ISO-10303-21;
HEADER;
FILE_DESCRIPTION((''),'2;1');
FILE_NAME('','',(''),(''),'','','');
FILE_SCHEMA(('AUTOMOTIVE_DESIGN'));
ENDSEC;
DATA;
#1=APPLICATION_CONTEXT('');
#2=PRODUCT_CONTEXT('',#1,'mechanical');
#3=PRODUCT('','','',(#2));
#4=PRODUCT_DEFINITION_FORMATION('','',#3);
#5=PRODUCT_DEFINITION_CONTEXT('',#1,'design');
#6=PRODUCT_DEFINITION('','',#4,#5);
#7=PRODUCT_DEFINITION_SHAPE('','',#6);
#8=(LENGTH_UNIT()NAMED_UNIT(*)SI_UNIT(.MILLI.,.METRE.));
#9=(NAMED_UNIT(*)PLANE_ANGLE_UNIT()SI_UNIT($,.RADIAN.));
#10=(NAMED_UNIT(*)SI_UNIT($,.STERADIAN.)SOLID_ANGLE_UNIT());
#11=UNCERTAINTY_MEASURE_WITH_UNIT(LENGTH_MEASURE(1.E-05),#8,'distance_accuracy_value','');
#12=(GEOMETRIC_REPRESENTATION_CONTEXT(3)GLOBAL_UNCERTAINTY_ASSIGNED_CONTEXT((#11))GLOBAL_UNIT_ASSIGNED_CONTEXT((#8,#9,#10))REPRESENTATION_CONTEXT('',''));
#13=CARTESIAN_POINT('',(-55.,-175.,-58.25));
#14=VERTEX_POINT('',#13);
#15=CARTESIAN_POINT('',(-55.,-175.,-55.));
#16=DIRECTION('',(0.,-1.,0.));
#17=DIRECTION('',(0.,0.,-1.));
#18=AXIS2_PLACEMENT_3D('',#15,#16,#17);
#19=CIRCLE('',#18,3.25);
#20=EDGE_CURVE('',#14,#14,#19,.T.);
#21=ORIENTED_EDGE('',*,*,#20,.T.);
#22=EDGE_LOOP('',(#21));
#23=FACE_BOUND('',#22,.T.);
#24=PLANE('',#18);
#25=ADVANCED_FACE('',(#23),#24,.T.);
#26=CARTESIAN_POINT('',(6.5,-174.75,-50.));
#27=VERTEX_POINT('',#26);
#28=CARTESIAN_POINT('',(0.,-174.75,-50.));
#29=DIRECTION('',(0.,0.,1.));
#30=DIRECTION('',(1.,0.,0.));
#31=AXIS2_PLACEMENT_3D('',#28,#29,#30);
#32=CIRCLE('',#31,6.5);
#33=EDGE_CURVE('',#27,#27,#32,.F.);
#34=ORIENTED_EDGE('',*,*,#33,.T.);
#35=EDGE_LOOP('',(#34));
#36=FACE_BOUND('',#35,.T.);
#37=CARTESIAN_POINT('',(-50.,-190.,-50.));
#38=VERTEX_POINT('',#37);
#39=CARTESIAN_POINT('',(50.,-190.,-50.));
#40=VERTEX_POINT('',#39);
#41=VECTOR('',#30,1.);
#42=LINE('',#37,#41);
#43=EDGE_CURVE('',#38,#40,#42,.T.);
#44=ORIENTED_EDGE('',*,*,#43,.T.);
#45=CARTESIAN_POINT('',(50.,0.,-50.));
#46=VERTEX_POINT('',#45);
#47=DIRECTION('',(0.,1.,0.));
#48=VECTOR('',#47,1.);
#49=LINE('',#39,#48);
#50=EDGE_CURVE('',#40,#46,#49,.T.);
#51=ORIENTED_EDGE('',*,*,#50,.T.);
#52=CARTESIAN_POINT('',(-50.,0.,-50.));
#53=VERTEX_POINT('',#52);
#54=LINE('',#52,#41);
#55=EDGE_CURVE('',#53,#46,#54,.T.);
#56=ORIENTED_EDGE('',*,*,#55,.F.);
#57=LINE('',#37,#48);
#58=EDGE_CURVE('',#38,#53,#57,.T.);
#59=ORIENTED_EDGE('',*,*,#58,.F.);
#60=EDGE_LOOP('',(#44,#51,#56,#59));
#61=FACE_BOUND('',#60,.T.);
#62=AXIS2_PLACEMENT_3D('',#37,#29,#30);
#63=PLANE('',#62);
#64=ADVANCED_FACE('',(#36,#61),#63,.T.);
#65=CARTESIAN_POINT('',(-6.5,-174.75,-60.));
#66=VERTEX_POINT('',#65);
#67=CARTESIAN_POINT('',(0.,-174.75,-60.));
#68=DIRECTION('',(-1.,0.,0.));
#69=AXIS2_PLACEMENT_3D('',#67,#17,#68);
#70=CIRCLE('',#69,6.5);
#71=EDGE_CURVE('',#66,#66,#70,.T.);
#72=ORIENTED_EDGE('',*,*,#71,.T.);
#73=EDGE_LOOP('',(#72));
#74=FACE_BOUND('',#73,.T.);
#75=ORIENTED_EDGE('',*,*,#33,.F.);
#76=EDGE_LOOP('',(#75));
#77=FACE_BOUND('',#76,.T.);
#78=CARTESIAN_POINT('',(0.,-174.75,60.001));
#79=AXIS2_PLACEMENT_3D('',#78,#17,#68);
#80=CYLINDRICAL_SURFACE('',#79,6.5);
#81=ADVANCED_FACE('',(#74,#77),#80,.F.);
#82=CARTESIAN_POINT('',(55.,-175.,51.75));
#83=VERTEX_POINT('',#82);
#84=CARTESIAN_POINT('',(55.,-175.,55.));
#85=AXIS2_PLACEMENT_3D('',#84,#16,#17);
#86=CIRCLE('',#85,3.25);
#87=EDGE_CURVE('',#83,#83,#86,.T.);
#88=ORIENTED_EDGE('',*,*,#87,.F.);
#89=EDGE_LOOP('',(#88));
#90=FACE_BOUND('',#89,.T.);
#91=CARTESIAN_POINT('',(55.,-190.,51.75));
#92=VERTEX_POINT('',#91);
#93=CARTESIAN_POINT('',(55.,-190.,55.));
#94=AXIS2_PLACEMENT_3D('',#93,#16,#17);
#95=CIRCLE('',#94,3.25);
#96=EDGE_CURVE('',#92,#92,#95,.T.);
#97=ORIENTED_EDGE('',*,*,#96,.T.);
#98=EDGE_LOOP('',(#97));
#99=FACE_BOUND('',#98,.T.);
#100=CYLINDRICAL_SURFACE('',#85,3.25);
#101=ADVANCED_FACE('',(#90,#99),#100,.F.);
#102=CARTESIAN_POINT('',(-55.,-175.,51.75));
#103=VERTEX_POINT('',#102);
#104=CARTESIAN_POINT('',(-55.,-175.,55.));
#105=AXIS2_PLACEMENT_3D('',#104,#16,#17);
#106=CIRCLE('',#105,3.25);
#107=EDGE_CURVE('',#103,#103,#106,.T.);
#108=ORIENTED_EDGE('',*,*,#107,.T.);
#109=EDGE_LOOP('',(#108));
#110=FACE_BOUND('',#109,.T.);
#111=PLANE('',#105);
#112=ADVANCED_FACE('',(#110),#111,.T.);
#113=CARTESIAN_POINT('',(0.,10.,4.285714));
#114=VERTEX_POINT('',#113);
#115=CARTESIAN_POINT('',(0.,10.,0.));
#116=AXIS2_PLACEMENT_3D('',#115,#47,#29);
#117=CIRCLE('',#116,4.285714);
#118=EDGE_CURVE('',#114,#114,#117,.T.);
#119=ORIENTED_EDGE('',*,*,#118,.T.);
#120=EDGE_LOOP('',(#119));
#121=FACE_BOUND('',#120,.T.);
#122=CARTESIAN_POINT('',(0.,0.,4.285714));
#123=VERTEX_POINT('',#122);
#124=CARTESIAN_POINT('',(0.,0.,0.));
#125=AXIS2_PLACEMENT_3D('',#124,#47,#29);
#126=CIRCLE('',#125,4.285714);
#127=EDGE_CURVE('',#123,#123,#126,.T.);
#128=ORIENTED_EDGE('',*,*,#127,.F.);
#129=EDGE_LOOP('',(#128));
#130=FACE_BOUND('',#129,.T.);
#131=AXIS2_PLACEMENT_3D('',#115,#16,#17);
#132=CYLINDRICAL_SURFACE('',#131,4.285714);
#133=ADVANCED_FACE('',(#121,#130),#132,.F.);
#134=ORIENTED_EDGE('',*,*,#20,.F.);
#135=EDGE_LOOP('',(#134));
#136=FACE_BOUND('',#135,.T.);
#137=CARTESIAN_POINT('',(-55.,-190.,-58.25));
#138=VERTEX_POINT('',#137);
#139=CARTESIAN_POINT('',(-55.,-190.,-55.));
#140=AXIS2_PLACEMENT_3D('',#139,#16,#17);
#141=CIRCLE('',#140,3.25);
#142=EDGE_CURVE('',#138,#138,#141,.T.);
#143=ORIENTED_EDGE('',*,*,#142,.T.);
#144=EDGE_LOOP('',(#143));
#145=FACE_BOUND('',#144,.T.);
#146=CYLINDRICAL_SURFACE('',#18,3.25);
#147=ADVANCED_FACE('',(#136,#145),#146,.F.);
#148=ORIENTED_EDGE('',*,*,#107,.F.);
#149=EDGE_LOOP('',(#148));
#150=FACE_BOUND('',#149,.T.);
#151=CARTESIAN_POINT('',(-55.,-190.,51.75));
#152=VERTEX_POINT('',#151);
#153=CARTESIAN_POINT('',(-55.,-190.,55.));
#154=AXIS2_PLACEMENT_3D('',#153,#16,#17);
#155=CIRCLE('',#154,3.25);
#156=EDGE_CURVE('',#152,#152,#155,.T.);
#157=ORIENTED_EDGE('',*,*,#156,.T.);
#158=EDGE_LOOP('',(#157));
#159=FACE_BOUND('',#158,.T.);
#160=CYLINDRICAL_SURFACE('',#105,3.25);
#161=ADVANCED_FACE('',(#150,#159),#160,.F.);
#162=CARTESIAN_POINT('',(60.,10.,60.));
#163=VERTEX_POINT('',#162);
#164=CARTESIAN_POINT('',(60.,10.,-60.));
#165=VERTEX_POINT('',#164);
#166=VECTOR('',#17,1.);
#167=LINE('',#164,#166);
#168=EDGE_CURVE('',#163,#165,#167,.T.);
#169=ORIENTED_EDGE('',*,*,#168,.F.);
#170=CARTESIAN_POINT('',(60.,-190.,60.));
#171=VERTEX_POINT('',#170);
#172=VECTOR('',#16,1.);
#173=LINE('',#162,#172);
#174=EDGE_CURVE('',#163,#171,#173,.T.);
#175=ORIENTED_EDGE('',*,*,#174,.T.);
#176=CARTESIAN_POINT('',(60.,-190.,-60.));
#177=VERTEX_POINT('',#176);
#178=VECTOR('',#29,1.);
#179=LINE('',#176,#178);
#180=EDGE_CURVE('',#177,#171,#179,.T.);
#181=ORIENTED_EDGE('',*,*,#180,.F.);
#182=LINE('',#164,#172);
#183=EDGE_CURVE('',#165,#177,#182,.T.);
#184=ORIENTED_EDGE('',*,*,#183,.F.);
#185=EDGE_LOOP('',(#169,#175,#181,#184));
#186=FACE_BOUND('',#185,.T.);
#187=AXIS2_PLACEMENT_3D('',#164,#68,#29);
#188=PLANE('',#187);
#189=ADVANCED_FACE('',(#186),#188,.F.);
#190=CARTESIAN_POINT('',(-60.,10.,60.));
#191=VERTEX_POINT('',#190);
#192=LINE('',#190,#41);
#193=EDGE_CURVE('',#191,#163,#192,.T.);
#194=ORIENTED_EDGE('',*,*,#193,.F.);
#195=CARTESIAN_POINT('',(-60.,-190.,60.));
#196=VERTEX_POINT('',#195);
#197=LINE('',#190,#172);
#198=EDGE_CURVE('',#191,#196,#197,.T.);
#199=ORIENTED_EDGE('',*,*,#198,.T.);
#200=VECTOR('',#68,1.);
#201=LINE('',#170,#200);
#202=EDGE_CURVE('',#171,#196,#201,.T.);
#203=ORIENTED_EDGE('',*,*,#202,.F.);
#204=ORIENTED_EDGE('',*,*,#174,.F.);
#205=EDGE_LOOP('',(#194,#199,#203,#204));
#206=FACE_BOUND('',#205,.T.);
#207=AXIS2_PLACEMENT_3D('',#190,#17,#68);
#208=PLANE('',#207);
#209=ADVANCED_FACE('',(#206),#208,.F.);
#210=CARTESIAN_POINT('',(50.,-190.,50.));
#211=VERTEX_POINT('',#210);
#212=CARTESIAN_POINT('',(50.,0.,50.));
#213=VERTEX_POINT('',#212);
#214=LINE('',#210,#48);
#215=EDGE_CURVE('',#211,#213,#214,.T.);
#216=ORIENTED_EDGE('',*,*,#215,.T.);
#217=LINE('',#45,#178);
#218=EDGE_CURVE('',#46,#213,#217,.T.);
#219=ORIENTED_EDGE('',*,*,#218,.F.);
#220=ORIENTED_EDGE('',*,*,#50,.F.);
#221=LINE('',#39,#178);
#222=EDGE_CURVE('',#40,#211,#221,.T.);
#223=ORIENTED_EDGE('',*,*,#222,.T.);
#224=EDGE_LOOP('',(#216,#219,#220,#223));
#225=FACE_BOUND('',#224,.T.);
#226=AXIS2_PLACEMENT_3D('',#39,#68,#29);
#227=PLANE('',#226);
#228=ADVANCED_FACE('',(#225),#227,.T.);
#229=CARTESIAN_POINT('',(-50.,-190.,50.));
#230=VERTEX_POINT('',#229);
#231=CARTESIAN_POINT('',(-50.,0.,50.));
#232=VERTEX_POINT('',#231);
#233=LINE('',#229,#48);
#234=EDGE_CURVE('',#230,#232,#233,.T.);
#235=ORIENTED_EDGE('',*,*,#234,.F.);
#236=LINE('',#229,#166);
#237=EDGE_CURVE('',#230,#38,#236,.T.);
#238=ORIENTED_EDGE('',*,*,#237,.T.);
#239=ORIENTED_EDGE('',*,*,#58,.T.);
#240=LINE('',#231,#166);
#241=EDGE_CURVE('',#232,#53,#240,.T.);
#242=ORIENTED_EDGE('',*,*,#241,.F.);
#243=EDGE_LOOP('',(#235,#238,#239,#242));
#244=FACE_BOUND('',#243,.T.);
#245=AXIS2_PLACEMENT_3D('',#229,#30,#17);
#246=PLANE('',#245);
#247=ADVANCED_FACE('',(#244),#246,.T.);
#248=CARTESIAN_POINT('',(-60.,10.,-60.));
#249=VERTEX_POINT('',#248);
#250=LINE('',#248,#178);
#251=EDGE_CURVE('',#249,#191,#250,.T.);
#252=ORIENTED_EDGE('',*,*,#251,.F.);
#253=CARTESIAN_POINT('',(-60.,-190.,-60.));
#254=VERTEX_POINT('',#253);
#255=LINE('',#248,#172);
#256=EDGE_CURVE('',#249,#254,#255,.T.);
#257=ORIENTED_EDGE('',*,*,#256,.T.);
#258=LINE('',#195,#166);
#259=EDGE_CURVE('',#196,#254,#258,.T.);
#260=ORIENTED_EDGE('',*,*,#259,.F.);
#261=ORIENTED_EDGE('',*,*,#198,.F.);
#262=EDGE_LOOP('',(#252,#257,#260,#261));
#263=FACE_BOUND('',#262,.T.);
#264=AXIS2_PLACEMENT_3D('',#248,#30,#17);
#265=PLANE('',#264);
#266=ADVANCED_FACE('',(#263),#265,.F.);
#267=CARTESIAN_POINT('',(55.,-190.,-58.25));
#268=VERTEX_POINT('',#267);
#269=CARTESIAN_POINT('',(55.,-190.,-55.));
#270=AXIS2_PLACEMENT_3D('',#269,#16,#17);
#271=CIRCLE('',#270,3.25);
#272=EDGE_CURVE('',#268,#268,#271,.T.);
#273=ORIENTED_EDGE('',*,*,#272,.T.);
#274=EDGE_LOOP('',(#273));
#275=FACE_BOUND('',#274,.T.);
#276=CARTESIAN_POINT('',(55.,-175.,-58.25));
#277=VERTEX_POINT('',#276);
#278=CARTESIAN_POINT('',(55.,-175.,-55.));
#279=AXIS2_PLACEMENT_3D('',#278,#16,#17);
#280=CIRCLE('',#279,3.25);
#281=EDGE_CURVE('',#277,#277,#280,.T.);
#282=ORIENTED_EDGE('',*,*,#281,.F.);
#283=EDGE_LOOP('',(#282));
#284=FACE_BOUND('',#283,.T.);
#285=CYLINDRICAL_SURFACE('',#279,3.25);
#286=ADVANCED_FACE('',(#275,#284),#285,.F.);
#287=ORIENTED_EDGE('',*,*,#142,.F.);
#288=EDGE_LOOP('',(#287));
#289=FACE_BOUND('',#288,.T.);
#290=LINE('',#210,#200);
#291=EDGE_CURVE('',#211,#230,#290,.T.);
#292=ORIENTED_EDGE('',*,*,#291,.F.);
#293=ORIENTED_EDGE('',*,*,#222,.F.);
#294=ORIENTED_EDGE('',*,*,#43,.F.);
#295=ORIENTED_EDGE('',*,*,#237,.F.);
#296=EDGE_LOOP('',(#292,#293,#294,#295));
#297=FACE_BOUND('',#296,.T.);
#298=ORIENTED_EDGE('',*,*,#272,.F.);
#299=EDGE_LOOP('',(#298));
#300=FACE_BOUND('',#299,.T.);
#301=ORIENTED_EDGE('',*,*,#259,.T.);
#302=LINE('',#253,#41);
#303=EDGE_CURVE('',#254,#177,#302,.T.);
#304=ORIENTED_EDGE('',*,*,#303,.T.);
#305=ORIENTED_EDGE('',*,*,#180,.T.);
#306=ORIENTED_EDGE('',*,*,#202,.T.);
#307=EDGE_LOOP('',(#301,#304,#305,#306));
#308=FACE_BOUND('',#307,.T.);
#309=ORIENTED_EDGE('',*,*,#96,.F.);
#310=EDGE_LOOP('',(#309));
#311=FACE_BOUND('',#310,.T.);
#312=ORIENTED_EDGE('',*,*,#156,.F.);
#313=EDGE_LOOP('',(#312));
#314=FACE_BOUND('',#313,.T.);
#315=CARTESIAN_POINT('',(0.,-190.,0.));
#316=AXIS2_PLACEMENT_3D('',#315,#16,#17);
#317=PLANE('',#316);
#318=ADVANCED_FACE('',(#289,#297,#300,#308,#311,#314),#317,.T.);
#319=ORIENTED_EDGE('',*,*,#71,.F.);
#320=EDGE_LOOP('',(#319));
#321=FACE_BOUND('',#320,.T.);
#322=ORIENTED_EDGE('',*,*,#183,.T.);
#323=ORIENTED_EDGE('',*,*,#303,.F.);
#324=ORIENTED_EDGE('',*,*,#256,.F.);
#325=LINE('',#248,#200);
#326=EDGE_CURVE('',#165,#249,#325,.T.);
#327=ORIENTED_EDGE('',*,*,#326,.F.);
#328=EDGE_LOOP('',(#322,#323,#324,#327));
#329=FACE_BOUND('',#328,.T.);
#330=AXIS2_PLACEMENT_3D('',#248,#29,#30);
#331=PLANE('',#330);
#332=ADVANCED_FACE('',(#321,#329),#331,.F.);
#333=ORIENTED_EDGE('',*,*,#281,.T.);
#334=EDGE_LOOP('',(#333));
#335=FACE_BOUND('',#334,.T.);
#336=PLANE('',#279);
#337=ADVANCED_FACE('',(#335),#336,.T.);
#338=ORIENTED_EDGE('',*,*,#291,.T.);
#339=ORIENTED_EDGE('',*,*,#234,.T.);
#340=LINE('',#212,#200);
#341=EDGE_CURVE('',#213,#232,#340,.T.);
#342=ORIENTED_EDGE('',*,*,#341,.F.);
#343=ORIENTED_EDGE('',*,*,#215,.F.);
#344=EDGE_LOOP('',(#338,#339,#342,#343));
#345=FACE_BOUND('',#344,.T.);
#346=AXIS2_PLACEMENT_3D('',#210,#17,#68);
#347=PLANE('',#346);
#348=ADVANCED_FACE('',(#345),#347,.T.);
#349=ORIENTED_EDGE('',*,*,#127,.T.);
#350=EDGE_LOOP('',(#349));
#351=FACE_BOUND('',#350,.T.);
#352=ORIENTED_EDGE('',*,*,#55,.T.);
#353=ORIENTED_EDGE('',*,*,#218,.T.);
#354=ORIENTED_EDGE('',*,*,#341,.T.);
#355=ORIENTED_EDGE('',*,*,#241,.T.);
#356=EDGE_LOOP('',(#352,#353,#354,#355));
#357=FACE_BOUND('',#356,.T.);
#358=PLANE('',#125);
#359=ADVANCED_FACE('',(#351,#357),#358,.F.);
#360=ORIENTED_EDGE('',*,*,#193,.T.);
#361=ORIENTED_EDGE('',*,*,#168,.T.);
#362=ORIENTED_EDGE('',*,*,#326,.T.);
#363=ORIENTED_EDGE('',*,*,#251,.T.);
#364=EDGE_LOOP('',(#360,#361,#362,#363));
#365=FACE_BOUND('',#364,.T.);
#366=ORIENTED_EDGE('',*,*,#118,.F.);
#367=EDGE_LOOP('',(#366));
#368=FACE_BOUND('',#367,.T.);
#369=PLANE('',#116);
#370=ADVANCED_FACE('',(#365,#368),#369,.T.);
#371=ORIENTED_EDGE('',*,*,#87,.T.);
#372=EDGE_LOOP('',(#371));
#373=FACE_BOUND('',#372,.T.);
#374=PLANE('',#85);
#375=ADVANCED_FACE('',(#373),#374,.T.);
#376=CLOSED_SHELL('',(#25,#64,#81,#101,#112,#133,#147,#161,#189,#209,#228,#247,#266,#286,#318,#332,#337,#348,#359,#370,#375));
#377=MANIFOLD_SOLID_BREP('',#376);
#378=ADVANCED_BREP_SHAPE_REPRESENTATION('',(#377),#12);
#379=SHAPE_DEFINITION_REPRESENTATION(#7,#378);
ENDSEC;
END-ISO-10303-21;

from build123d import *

# Parameters (mm, degrees)
SKETCH1_W           = 120
SKETCH1_H           = 120
SKETCH1_R           = 4.285714286
BOSS_EXTRUDE1_DEPTH = 10
SKETCH2_W           = 120
SKETCH2_H           = 120
SKETCH2_W_2         = 100
SKETCH2_H_2         = 100
BOSS_EXTRUDE2_DEPTH = 190
SKETCH3_R           = 3.25
CUT_EXTRUDE1_DEPTH  = 15
CUT_EXTRUDE2_REACH  = 122
SKETCH4_R           = 6.5


with BuildPart() as part:
    # Sketch1 → Boss-Extrude1 (new body)
    with BuildSketch(Plane(origin=(0, 0, 0), x_dir=(1, 0, 0), z_dir=(0, 1, 0))):
        Rectangle(SKETCH1_W, SKETCH1_H)
        Circle(SKETCH1_R, mode=Mode.SUBTRACT)
    extrude(amount=BOSS_EXTRUDE1_DEPTH)

    # Sketch2 → Boss-Extrude2 (add)
    with BuildSketch(Plane.XZ):
        Rectangle(SKETCH2_W, SKETCH2_H)
        Rectangle(SKETCH2_W_2, SKETCH2_H_2, mode=Mode.SUBTRACT)
    extrude(amount=BOSS_EXTRUDE2_DEPTH)

    # Sketch3 → Cut-Extrude1 (cut)
    with BuildSketch(Plane.XZ.offset(190)):
        with Locations((-55, -55)):
            Circle(SKETCH3_R)
        with Locations((55, 55)):
            Circle(SKETCH3_R)
        with Locations((-55, 55)):
            Circle(SKETCH3_R)
        with Locations((55, -55)):
            Circle(SKETCH3_R)
    extrude(amount=-CUT_EXTRUDE1_DEPTH, mode=Mode.SUBTRACT)

    # Sketch4 → Cut-Extrude2 (cut, up to next)
    with BuildSketch(Plane(origin=(0, 0, -60), x_dir=(-1, 0, 0), z_dir=(0, 0, -1)), mode=Mode.PRIVATE) as cut_extrude2_sk1:
        with Locations((0, -174.75)):
            Circle(SKETCH4_R)
    cut_extrude2_tool1 = extrude(cut_extrude2_sk1.sketch, amount=-CUT_EXTRUDE2_REACH, mode=Mode.PRIVATE) & part.part
    add(cut_extrude2_tool1.solids().sort_by_distance((0, -174.75, -60))[0], mode=Mode.SUBTRACT)


solid = part.part
